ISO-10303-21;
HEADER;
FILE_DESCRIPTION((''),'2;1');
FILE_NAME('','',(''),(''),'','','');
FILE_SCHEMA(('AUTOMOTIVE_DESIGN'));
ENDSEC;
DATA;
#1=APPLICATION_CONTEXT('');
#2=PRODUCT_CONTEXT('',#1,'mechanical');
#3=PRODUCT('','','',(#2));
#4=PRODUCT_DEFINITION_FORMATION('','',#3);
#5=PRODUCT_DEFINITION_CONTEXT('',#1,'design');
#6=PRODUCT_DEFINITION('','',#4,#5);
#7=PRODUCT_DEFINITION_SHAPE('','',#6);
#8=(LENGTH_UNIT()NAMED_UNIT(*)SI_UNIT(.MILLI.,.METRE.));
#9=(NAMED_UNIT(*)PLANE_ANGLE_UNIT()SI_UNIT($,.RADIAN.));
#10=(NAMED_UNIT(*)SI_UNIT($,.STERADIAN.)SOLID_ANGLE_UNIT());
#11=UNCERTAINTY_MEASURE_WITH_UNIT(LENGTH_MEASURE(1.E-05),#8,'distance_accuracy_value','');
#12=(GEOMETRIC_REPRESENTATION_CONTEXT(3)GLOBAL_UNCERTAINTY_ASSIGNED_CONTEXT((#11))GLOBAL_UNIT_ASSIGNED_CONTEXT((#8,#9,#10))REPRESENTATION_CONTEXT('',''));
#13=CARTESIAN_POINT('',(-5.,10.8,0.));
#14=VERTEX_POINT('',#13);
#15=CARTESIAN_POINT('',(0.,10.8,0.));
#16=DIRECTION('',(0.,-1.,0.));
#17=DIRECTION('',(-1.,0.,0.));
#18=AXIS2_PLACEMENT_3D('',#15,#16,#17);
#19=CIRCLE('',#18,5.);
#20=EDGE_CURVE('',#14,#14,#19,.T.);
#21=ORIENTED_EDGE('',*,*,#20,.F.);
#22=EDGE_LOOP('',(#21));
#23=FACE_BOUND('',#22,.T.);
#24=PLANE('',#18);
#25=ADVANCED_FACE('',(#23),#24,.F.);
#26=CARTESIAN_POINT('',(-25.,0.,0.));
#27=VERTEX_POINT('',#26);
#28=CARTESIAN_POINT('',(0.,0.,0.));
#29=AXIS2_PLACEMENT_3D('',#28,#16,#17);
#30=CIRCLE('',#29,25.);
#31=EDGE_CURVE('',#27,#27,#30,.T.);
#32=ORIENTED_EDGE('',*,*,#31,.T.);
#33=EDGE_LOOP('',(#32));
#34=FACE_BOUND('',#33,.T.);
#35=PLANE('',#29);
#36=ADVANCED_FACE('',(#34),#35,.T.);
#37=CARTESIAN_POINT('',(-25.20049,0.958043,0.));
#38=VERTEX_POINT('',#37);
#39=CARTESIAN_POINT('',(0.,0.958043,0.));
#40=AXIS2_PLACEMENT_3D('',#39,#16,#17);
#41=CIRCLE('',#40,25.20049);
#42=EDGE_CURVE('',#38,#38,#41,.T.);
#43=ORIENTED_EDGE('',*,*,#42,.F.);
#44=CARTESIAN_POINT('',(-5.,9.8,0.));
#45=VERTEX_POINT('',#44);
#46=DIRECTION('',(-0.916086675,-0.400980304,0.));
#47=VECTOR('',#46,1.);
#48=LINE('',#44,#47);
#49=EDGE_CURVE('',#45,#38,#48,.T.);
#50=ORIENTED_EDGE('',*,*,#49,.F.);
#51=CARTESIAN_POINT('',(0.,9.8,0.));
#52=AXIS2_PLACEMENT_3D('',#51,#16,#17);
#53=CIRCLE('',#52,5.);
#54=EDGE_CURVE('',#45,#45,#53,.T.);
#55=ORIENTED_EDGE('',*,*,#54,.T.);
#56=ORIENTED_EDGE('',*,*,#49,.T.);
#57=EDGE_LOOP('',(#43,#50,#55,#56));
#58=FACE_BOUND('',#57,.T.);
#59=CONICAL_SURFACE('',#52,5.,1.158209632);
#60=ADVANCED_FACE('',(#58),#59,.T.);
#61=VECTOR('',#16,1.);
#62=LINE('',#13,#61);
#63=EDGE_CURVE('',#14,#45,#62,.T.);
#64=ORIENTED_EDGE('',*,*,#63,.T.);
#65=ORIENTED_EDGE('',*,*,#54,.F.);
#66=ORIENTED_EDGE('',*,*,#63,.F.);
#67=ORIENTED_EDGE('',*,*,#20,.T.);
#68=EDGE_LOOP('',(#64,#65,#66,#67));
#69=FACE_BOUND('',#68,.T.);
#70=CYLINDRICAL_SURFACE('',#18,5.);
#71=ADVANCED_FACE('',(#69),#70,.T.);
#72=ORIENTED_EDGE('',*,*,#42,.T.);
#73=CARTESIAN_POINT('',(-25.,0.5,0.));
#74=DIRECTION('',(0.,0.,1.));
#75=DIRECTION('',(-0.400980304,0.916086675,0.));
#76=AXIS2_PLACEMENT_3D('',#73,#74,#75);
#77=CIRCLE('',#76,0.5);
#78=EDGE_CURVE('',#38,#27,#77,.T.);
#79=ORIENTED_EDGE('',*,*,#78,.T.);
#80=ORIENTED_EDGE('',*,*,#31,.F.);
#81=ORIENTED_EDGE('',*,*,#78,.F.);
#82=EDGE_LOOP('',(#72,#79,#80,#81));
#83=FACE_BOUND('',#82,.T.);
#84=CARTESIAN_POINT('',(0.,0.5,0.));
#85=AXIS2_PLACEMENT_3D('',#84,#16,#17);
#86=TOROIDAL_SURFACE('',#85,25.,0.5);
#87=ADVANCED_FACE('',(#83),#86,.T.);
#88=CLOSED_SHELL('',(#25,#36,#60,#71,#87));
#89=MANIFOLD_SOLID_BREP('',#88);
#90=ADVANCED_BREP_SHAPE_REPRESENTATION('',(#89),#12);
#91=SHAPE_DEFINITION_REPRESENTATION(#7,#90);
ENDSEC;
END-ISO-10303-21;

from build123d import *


with BuildPart() as part:
    # Sketch1 → Revolve1 (revolve)
    with BuildSketch(Plane.XY):
        with BuildLine():
            Line((0, 10.8), (-5, 10.8))
            Line((-5, 10.8), (-5, 9.8))
            Line((-5, 9.8), (-25.200490152, 0.958043337))
            ThreePointArc((-25.200490152, 0.958043337), (-25.489398441, 0.397583372), (-25, 0))
            Line((-25, 0), (0, 0))
            Line((0, 0), (0, 10.8))
        make_face()
    revolve(axis=Axis((0, 17.720157406, 0), (0, -1, 0)))


solid = part.part
